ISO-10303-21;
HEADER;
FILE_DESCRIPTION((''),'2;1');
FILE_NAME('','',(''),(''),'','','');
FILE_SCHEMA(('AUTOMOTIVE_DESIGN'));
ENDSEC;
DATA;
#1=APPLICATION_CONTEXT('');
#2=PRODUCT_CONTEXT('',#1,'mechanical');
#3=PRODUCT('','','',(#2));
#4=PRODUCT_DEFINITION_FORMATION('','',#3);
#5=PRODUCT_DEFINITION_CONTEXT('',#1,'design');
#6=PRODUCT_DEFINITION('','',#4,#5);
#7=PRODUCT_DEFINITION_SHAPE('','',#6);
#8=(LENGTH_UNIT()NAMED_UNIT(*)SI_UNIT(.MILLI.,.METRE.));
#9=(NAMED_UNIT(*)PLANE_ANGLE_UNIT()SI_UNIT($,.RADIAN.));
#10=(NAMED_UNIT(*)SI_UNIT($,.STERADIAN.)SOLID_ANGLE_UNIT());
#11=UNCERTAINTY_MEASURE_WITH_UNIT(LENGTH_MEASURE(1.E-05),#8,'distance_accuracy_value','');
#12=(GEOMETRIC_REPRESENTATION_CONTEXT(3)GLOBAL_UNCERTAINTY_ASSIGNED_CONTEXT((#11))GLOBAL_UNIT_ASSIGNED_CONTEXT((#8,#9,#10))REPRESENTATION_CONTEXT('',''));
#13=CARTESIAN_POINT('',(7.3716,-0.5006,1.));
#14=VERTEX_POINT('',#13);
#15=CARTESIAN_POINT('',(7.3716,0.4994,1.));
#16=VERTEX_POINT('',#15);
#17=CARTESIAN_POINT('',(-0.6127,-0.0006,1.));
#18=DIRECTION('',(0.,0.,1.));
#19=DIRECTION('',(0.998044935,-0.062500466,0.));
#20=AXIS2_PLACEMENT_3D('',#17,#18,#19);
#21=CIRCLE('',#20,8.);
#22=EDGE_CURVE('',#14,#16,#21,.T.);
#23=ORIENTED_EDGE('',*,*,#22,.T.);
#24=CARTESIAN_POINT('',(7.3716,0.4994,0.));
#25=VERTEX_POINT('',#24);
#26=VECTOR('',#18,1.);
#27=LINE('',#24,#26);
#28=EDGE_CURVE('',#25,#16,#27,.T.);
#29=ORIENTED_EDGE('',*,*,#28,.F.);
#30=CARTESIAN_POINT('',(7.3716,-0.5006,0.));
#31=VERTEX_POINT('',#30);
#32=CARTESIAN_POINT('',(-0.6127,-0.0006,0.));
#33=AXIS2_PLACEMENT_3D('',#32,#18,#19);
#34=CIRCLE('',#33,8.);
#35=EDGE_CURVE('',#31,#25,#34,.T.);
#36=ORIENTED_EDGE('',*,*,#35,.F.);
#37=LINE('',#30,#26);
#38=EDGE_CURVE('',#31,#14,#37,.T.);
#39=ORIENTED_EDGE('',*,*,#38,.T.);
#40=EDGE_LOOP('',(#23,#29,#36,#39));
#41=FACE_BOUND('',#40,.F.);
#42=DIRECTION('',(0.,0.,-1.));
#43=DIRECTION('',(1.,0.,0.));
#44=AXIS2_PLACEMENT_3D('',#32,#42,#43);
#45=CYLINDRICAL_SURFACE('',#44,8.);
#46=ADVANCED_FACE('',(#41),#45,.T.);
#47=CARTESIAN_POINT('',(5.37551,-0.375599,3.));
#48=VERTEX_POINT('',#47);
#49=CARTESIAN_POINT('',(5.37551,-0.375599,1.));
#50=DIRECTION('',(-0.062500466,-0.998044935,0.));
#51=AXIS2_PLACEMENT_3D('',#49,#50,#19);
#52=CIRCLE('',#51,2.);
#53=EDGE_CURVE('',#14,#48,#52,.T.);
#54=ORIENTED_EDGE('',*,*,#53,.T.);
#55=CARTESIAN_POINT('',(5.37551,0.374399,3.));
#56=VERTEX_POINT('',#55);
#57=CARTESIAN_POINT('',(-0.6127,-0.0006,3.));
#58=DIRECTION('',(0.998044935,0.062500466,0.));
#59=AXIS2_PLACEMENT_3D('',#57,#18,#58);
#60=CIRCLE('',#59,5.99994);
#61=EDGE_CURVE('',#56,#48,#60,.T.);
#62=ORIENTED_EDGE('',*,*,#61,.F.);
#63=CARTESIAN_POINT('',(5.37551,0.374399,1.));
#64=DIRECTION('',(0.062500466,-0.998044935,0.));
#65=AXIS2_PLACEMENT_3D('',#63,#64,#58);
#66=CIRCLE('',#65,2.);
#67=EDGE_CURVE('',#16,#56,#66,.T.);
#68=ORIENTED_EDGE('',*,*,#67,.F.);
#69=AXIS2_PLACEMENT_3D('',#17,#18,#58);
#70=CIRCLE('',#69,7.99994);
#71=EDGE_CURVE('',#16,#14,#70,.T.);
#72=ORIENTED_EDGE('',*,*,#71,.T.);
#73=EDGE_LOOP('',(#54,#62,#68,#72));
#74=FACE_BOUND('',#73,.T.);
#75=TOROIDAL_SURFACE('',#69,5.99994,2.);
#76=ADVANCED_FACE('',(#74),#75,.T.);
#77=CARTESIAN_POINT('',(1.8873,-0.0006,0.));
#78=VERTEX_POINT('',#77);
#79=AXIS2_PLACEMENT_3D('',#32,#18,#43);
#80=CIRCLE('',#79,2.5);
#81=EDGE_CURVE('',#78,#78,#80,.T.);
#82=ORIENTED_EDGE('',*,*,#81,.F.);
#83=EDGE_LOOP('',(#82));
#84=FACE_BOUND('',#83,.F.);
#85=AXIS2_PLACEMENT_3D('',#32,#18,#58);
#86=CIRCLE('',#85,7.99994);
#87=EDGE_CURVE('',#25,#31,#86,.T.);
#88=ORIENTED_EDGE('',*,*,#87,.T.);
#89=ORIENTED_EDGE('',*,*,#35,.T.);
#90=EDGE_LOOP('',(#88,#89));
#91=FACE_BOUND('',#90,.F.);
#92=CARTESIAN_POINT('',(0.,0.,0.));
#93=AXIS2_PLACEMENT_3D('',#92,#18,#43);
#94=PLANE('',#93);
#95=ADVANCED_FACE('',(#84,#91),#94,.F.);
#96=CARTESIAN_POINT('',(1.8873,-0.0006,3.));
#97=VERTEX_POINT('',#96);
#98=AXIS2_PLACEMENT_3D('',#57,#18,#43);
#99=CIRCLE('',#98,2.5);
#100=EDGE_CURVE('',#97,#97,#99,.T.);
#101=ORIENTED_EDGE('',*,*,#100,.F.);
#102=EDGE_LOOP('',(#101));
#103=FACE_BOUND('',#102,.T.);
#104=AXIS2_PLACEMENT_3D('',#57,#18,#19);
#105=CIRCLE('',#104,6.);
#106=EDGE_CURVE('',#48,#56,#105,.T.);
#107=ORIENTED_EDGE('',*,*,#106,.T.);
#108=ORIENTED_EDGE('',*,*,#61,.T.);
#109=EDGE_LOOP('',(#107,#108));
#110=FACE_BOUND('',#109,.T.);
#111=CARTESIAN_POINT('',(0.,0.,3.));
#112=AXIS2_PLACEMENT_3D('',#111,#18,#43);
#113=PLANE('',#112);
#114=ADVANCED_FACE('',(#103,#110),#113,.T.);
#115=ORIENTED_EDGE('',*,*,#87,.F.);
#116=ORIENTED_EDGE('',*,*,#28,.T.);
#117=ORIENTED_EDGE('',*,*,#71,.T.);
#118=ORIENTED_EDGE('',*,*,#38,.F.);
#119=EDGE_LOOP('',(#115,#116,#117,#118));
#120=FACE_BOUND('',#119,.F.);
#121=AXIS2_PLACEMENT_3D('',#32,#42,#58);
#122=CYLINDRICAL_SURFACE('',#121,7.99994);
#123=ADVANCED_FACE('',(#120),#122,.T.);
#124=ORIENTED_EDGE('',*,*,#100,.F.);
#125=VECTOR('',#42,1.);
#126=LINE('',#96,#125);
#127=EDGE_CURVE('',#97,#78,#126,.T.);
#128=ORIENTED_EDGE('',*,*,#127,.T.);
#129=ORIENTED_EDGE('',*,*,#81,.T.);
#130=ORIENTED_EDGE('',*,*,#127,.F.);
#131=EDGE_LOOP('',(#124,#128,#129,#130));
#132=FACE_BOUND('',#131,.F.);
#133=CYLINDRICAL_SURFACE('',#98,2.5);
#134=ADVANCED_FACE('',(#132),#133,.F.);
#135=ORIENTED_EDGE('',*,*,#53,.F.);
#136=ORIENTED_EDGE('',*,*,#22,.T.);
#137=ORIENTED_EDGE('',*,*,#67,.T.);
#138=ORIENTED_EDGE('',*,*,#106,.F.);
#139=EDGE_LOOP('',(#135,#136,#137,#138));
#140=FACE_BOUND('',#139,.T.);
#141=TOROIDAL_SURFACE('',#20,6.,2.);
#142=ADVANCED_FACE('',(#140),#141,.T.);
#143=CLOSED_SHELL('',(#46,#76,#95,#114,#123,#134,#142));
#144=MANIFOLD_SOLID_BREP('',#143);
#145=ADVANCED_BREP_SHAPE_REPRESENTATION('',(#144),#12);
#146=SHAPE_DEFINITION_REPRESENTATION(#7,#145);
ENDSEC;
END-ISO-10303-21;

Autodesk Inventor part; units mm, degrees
ref_plane "YZ Plane" through (0, 0, 0) normal (1, 0, 0) x (0, 1, 0)
ref_plane "XZ Plane" through (0, 0, 0) normal (0, 1, 0) x (-1, 0, 0)
ref_plane "XY Plane" through (0, 0, 0) normal (0, 0, 1) x (1, 0, 0)
sketch "Эскиз1" plane through (0, 0, 0) normal (0, 0, 1) x (1, 0, 0)
  line L0 (-4.0768, 1.9994) -> (-0.6127, 3.9994) projected
  line L1 (-0.6127, 3.9994) -> (2.8514, 1.9994) projected
  line L2 (2.8514, 1.9994) -> (2.8353, 0.4994) projected
  line L3 (2.8353, 0.4994) -> (7.3716, 0.4994) projected
  arc A0 (7.3716, 0.4994) -> (7.3716, -0.5006) centre (-0.6127, -0.0006) ccw projected
  line L4 (7.3716, -0.5006) -> (2.8246, -0.5006) projected
  line L5 (2.8246, -0.5006) -> (2.8082, -2.0255) projected
  line L6 (2.8082, -2.0255) -> (-0.6127, -4.0006) projected
  line L7 (-0.6127, -4.0006) -> (-4.0768, -2.0006) projected
  line L8 (-4.0768, -2.0006) -> (-4.0768, 1.9994) projected
  circle A1 centre (-0.6127, -0.0006) radius 8
  point P0 (0, 0)
extrude "Выдавливание1" add sketch "Эскиз1" along normal blind 3
fillet "Сопряжение1" radius 2 1 edges at (-8.6127, -0.0006, 3)
sketch "Эскиз2" plane through (-0.6127, -0.0006, 3) normal (0, 0, 1) x (1, 0, 0)
  circle A0 centre (0, 0) radius 2.5
  point P0 (0.6127, 0.0006)
  dimension "d3" = 5
extrude "Выдавливание2" cut sketch "Эскиз2" against normal blind 3
properties part number "SecindaryCap"
